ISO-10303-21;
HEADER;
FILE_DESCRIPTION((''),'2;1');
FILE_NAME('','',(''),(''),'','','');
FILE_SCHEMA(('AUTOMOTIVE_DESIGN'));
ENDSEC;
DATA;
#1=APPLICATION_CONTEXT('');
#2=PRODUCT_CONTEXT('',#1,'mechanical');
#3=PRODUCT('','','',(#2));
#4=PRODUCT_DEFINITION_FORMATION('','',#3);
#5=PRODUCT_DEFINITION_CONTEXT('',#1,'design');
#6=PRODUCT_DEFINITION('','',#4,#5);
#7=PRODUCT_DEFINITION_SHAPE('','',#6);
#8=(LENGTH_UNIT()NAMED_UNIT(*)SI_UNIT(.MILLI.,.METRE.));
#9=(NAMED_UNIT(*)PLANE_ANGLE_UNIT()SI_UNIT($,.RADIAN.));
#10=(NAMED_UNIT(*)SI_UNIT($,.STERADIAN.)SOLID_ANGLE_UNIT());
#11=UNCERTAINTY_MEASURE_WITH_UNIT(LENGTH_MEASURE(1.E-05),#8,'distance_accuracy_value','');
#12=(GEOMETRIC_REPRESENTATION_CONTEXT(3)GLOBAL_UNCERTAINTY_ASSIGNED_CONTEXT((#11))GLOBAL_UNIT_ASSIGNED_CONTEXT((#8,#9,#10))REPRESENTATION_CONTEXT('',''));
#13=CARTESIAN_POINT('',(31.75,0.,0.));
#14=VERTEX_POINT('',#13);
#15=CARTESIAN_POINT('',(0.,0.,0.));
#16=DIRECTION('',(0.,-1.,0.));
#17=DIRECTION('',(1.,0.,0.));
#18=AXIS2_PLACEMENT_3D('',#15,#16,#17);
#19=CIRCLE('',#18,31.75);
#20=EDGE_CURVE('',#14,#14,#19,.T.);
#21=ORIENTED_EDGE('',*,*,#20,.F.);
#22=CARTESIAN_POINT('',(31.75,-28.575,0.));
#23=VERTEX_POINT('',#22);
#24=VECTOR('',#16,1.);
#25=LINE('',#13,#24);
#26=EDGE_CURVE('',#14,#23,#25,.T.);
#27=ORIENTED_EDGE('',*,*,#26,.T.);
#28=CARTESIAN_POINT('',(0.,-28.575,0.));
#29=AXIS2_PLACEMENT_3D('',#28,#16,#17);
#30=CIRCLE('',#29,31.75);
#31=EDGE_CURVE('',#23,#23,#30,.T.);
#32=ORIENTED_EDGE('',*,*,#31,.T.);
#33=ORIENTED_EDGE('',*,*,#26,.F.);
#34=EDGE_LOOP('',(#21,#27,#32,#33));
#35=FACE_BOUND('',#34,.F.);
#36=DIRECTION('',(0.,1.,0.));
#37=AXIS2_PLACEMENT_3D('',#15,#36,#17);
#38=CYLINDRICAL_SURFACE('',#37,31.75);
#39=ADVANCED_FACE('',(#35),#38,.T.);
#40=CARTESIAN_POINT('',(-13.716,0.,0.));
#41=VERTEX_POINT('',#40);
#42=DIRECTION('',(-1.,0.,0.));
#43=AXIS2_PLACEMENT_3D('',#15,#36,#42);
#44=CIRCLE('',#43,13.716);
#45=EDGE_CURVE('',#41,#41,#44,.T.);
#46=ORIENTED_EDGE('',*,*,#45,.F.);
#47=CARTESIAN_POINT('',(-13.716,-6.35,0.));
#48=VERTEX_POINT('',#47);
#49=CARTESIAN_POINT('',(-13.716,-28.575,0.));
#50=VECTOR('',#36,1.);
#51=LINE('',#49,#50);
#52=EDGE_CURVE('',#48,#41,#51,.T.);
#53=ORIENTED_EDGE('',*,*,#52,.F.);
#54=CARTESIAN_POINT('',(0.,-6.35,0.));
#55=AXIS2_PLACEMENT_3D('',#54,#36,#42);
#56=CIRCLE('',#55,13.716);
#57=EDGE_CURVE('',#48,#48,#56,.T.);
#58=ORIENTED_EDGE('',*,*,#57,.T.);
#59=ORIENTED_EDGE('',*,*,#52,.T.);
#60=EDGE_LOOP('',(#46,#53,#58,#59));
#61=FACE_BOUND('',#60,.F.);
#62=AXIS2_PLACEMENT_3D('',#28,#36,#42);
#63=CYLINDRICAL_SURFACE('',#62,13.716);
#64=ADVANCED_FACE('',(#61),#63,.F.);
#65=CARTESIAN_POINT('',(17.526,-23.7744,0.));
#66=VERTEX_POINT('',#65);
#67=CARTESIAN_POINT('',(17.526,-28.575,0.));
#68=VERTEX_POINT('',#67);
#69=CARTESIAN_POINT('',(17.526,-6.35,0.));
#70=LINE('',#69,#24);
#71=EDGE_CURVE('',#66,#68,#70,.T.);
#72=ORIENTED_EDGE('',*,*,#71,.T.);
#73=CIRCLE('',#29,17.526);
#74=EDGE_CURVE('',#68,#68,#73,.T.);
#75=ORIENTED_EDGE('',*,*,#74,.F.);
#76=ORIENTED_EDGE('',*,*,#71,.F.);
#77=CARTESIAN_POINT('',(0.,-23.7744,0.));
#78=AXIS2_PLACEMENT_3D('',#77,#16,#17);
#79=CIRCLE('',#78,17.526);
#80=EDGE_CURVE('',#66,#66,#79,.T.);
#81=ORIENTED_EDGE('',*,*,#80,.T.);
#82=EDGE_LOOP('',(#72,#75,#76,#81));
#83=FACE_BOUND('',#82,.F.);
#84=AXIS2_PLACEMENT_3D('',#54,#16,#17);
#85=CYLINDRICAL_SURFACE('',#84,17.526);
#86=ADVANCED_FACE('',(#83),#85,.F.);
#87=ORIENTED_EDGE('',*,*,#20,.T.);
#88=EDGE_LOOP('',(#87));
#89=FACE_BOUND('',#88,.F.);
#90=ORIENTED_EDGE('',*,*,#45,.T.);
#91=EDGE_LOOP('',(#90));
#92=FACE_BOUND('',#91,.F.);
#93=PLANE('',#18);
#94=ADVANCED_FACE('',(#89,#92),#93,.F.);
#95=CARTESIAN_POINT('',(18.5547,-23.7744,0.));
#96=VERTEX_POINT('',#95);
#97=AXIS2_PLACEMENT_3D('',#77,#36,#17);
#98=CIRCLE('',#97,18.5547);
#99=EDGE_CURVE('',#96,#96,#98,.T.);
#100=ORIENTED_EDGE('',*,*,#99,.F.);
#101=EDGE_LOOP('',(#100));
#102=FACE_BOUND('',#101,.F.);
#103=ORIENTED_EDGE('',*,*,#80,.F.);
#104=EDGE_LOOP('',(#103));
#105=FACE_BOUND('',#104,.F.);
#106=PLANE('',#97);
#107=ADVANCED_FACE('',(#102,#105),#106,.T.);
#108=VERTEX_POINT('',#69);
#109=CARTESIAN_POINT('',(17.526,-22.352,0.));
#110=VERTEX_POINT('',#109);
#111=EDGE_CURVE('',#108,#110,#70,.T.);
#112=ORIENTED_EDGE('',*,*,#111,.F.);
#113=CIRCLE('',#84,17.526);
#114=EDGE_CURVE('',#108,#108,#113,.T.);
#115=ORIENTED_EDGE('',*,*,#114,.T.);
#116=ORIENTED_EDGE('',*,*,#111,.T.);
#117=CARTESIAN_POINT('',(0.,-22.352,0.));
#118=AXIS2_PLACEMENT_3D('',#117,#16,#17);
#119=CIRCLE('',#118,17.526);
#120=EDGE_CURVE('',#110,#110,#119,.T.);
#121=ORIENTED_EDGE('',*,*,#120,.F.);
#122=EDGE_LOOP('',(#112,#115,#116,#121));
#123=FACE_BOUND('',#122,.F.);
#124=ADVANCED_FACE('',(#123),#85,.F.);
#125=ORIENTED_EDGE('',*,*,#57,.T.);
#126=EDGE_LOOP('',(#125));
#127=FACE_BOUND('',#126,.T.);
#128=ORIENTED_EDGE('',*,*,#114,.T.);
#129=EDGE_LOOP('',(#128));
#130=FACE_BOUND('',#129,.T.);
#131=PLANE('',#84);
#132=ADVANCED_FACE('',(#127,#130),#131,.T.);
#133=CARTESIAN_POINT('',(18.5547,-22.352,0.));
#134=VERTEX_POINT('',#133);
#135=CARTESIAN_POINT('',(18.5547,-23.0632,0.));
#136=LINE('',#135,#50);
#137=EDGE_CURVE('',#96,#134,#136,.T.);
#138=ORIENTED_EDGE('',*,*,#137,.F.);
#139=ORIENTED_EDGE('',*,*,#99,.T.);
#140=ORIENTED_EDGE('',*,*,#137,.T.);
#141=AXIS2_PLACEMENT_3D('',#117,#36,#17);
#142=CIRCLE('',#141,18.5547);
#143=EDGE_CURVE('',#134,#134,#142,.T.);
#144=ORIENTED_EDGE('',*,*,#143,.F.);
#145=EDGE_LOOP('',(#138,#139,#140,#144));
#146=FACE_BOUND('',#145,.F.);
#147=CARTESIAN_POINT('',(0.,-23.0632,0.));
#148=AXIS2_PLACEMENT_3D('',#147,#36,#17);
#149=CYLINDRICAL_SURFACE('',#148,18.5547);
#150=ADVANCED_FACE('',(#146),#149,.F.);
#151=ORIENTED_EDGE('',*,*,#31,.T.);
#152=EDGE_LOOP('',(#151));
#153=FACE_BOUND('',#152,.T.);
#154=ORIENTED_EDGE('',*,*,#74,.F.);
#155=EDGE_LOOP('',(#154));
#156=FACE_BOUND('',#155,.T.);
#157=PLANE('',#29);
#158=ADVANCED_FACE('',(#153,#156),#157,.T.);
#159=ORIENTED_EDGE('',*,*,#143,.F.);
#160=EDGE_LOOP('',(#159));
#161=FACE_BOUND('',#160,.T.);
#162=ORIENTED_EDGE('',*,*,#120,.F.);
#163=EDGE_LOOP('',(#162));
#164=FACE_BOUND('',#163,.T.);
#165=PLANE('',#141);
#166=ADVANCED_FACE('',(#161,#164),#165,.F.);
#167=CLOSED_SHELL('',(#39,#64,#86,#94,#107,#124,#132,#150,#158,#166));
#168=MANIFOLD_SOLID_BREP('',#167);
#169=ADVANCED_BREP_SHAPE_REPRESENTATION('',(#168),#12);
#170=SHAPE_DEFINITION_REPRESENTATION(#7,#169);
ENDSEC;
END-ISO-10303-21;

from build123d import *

# Parameters (mm, degrees)
F0_R           = 31.75
F1_DEPTH       = 28.575
F3_D           = 27.432
F3_CBORE_D     = 35.052
F3_CBORE_DEPTH = 22.225
F4_W           = 11.247322
F4_H           = 1.4224


with BuildPart() as f1:
    # F0 (on Front) → F1 (new body)
    with BuildSketch(Plane.XZ):
        Circle(F0_R)
    extrude(amount=F1_DEPTH)

    # F3 (through all)
    with Locations(Plane.XZ.offset(28.575)):
        with Locations((0, 0)):
            CounterBoreHole(F3_D / 2, F3_CBORE_D / 2, F3_CBORE_DEPTH)

    # F4 (on Top) → F5 (revolve, cut)
    with BuildSketch(Plane.XY):
        with Locations((12.931039, -23.0632)):
            Rectangle(F4_W, F4_H)
    revolve(axis=Axis((0, 2.595396, 0), (0, 1, 0)), mode=Mode.SUBTRACT)


solid = f1.part
